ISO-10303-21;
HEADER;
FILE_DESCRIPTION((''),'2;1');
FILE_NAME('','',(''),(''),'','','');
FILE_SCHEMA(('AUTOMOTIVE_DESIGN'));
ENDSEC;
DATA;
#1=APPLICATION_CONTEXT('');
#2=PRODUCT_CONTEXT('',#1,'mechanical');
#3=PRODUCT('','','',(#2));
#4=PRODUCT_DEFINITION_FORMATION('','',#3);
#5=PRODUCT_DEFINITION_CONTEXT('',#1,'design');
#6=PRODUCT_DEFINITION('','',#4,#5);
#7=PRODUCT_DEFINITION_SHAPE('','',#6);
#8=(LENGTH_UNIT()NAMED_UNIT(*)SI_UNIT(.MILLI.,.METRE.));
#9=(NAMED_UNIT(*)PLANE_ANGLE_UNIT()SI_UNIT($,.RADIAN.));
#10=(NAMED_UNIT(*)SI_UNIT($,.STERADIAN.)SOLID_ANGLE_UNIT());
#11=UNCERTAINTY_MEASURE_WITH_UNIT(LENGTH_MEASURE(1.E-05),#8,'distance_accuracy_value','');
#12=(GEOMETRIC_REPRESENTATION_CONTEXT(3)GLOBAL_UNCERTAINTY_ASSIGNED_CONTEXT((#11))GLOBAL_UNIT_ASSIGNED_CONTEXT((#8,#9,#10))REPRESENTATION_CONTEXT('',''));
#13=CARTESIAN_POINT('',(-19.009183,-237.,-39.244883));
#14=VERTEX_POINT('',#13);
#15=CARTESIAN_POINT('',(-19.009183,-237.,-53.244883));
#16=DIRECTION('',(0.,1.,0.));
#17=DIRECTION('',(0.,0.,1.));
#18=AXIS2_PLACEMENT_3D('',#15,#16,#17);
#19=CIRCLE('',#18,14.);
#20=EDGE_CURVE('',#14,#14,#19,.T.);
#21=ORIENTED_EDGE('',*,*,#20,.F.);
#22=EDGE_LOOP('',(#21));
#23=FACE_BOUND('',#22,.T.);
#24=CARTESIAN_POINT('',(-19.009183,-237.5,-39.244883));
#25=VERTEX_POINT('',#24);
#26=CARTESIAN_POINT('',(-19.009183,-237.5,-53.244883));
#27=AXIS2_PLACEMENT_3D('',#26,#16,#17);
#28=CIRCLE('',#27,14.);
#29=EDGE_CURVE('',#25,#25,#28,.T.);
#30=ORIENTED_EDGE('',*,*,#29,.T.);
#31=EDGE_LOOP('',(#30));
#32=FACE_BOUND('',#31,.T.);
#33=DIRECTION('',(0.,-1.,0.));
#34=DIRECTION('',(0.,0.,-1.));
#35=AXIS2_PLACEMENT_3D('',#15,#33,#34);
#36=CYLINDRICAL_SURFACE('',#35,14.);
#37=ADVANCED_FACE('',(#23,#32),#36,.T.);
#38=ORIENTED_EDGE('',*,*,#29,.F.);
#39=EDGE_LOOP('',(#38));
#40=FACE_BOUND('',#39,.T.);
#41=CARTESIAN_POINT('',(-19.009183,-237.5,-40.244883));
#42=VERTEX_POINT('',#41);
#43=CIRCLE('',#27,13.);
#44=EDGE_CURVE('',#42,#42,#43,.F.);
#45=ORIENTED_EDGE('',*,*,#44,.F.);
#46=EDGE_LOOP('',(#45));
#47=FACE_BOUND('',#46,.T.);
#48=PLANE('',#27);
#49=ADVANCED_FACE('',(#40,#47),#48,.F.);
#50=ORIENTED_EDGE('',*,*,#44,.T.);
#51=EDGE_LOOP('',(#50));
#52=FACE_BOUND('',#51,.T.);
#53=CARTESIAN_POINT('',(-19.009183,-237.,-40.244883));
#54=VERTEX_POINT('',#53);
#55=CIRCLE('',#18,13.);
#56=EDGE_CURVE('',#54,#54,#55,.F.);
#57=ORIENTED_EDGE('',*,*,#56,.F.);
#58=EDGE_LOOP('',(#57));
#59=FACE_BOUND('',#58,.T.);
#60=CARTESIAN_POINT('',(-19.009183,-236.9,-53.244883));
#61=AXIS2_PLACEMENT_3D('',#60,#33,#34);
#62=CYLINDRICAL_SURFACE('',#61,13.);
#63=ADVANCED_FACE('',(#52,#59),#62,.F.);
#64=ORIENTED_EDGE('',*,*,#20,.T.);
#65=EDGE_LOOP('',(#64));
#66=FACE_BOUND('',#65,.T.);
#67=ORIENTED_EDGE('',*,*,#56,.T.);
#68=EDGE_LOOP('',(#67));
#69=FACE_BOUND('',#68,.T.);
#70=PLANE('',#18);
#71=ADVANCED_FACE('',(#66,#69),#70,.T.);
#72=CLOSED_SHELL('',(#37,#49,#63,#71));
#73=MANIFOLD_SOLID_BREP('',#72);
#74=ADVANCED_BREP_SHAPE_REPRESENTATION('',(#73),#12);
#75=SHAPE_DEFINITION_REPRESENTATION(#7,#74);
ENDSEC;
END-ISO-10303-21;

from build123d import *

# Parameters (mm, degrees)
SHIM_BLANK_SKETCH_R = 14
SHIM_BLANK_DEPTH    = 0.5
SHIM_BORE_SKETCH_R  = 13
SHIM_BORE_DEPTH     = 0.7


with BuildPart() as part:
    # Shim blank sketch → Shim blank (new body)
    with BuildSketch(Plane(origin=(0, -237.5, 0), x_dir=(1, 0, 0), z_dir=(0, 1, 0))):
        with Locations(Location((-19.009182883, 53.244882879, 0), (0, 0, 270))):
            Circle(SHIM_BLANK_SKETCH_R)
    extrude(amount=SHIM_BLANK_DEPTH)

    # Shim bore sketch → Shim bore (cut)
    with BuildSketch(Plane(origin=(0, -237.6, 0), x_dir=(1, 0, 0), z_dir=(0, 1, 0))):
        with Locations(Location((-19.009182883, 53.244882879, 0), (0, 0, 270))):
            Circle(SHIM_BORE_SKETCH_R)
    extrude(amount=SHIM_BORE_DEPTH, mode=Mode.SUBTRACT)


solid = part.part
